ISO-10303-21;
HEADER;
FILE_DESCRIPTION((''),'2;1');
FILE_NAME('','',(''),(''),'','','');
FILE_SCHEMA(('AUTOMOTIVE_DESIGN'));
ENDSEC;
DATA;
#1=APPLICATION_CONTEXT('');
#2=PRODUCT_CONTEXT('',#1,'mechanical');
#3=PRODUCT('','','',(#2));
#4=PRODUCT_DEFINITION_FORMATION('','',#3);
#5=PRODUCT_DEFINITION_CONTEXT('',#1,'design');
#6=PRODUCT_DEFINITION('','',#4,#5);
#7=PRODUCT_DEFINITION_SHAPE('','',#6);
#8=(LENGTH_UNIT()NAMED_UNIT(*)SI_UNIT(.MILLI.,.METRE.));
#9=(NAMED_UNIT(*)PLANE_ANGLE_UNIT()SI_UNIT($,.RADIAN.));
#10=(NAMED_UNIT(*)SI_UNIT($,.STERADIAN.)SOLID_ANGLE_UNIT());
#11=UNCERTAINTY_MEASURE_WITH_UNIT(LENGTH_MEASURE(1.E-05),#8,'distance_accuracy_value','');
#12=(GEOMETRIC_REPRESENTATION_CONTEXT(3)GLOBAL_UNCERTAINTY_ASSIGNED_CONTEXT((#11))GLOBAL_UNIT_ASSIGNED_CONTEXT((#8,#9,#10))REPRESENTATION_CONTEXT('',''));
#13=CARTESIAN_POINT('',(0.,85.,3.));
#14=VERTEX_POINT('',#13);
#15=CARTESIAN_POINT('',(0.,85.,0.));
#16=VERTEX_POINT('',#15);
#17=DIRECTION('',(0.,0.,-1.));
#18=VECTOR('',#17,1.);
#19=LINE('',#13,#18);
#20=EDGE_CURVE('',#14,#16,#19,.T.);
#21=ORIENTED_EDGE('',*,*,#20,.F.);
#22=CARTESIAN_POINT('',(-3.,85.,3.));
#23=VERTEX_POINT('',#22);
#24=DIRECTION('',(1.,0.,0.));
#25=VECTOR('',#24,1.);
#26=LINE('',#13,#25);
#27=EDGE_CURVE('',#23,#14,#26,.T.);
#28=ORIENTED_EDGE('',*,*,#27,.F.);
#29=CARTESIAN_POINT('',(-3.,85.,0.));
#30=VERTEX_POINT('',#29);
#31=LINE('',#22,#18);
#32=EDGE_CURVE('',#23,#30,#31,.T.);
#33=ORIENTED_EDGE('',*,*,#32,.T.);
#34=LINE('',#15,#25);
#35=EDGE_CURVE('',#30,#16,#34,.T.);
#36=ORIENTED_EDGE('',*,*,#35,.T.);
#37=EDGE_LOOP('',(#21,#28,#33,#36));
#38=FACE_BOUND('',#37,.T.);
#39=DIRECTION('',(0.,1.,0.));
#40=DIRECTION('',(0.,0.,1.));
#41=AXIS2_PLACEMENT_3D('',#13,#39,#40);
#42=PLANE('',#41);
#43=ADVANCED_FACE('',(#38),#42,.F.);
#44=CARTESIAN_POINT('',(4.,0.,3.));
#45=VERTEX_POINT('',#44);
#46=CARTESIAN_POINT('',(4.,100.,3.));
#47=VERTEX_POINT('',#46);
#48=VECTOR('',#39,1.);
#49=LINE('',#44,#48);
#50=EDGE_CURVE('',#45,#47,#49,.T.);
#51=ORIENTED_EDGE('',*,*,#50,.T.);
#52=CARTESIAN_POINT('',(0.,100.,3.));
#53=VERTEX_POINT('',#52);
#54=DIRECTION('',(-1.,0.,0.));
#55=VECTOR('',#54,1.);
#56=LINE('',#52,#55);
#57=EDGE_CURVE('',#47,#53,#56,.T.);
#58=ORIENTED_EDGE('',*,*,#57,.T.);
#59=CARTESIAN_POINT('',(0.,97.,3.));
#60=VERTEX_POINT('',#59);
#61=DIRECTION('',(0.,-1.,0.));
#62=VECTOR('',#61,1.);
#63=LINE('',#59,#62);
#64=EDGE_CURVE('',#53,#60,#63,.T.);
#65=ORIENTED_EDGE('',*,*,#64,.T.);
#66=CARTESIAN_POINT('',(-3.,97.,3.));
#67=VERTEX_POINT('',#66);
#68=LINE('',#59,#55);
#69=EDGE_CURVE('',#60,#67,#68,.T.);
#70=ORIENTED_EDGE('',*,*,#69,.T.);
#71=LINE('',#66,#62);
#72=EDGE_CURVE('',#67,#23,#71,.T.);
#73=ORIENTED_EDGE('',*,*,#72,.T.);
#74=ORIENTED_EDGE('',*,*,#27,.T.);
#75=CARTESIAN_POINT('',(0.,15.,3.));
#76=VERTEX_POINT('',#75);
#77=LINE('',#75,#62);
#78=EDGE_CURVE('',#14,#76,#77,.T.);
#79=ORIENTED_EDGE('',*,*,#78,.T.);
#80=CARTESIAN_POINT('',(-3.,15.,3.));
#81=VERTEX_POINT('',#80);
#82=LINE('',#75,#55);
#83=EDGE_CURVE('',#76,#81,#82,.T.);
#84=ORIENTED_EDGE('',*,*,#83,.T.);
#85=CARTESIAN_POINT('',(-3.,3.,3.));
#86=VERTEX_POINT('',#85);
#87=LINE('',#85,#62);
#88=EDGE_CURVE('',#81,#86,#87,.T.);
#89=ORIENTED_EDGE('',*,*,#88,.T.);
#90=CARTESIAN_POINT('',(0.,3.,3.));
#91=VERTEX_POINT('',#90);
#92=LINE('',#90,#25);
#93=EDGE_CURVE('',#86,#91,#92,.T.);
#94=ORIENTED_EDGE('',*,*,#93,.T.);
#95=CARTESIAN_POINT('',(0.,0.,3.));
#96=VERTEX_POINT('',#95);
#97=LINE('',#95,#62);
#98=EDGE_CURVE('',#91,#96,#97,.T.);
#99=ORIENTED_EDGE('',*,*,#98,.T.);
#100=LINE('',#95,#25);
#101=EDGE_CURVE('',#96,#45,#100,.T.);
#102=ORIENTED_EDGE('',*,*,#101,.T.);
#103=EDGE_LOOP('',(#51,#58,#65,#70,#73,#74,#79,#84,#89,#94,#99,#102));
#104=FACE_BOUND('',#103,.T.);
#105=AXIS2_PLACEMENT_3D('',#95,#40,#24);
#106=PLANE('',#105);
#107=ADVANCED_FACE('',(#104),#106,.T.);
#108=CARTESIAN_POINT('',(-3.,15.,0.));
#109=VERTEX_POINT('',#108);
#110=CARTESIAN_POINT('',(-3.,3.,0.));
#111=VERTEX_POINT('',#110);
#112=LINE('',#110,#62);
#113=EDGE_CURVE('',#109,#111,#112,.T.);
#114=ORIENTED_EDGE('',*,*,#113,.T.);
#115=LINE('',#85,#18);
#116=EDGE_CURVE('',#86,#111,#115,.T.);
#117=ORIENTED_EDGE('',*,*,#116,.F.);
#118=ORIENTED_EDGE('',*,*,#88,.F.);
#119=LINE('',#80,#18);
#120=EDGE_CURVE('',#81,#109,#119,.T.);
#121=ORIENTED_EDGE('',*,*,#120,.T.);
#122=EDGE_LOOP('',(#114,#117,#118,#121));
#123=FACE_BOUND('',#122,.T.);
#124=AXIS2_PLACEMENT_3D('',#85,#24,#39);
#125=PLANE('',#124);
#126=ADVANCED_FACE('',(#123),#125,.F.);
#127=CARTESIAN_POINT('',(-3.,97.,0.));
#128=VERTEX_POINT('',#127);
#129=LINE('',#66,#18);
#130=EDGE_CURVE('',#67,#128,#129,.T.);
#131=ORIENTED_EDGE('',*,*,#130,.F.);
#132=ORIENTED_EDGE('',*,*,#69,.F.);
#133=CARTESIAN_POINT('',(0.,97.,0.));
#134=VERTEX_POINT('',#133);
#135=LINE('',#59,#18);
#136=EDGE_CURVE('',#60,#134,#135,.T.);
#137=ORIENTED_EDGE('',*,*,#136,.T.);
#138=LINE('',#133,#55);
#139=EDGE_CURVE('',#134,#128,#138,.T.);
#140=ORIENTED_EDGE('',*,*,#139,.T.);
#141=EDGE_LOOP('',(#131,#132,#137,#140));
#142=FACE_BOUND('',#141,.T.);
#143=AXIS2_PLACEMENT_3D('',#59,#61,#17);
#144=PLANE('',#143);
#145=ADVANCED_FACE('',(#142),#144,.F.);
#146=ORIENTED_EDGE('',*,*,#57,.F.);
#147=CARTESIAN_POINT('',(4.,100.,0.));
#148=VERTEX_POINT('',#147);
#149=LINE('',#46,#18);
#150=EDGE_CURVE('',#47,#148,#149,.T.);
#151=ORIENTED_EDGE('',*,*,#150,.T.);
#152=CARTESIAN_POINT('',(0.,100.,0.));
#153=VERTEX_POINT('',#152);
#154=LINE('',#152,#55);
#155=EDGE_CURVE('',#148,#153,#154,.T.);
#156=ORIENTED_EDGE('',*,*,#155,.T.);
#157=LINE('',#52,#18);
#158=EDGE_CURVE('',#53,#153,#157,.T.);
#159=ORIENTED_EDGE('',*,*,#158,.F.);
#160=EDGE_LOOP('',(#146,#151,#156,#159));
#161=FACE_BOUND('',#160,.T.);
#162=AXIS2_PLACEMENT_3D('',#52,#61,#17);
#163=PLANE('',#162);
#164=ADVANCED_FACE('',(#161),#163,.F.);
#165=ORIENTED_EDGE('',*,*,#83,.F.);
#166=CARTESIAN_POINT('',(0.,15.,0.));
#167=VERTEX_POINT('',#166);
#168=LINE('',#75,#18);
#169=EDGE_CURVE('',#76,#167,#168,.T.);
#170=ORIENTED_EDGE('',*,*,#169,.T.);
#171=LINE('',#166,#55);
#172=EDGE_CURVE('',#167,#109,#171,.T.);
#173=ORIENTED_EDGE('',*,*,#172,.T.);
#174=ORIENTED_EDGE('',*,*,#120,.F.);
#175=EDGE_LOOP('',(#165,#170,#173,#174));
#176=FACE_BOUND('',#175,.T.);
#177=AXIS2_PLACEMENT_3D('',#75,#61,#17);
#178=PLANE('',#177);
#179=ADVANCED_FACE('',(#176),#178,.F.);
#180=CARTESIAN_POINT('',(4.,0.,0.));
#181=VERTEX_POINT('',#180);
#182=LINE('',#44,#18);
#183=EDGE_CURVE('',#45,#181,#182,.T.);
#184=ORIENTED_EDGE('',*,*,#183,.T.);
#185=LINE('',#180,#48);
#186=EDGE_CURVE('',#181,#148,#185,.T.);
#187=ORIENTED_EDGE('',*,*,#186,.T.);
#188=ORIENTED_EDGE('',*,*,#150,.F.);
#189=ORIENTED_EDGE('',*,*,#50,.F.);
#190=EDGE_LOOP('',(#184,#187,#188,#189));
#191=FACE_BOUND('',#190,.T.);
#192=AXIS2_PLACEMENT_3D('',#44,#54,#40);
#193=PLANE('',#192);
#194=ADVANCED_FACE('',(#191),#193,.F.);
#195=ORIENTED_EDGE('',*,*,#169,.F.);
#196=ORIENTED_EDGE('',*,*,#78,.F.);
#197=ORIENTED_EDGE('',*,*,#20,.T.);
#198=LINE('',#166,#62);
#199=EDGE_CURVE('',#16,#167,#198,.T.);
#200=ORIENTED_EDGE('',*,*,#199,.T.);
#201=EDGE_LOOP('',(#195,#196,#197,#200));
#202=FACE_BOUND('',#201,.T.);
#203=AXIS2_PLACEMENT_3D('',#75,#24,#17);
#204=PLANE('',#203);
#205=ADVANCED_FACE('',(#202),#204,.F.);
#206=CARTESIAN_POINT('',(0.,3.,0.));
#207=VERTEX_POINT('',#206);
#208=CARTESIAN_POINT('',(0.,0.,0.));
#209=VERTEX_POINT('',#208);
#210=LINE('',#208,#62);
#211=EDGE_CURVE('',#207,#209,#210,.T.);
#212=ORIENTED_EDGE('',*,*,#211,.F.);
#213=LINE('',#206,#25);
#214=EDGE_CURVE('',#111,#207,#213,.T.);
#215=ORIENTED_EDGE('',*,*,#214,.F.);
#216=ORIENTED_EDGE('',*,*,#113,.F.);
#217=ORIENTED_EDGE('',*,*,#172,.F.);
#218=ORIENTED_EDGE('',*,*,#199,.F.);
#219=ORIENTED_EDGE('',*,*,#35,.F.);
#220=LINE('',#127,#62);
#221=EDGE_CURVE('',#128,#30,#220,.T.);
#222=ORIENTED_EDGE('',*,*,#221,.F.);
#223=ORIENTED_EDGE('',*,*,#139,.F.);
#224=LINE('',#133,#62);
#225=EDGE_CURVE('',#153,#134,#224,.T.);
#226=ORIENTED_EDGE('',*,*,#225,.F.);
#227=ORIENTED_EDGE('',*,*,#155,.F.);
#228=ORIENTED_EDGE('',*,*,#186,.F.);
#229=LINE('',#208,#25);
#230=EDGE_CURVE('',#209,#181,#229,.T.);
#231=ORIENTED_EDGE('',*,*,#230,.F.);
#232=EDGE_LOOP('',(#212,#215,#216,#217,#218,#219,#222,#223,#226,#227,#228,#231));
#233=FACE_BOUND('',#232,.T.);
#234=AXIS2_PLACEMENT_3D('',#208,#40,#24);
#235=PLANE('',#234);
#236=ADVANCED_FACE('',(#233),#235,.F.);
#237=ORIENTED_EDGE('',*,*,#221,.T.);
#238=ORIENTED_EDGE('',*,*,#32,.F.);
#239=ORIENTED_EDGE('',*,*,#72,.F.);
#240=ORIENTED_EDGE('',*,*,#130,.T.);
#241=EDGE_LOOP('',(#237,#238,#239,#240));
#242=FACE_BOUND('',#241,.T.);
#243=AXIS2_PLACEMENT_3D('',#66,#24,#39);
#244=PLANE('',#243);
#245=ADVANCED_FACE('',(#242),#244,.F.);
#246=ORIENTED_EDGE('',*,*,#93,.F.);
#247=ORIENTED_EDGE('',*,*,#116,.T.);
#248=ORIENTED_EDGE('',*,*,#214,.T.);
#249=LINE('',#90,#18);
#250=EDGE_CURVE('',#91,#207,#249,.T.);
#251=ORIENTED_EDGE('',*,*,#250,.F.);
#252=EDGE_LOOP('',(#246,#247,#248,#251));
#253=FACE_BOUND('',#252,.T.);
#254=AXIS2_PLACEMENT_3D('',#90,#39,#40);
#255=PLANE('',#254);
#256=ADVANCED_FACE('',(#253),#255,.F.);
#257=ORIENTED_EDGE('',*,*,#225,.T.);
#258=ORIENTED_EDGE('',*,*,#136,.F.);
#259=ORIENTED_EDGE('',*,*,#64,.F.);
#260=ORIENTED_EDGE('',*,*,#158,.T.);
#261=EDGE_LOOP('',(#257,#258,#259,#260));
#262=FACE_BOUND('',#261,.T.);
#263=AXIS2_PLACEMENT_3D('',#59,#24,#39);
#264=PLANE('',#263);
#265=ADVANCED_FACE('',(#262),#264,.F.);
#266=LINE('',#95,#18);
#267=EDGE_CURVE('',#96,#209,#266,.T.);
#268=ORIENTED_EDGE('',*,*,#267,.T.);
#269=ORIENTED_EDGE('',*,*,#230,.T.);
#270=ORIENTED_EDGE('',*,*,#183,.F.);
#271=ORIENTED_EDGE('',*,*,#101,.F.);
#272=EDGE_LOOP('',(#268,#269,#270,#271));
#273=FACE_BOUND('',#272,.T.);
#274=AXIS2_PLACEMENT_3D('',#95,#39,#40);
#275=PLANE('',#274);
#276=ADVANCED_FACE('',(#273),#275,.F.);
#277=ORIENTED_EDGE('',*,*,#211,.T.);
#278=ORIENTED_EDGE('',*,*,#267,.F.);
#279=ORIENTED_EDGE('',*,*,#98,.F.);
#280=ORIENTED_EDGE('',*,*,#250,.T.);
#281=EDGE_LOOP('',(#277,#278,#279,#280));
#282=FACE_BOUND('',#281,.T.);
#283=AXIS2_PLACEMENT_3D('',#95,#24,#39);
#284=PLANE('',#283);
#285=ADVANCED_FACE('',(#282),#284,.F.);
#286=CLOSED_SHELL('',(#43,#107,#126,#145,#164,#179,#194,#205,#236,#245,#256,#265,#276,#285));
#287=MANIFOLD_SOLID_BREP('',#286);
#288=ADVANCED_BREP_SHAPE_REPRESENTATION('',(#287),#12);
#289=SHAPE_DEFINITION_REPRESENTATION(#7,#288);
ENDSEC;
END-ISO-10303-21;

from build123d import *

# Parameters (mm, degrees)
SALIENTE_EXTRUIR1_DEPTH = 3


with BuildPart() as part:
    # Croquis1 → Saliente-Extruir1 (new body)
    with BuildSketch(Plane.XY):
        Polygon((0, 0), (4, 0), (4, 100), (0, 100), (0, 97), (-3, 97), (-3, 85), (0, 85), (0, 15), (-3, 15), (-3, 3), (0, 3), align=None)
    extrude(amount=SALIENTE_EXTRUIR1_DEPTH)


solid = part.part
